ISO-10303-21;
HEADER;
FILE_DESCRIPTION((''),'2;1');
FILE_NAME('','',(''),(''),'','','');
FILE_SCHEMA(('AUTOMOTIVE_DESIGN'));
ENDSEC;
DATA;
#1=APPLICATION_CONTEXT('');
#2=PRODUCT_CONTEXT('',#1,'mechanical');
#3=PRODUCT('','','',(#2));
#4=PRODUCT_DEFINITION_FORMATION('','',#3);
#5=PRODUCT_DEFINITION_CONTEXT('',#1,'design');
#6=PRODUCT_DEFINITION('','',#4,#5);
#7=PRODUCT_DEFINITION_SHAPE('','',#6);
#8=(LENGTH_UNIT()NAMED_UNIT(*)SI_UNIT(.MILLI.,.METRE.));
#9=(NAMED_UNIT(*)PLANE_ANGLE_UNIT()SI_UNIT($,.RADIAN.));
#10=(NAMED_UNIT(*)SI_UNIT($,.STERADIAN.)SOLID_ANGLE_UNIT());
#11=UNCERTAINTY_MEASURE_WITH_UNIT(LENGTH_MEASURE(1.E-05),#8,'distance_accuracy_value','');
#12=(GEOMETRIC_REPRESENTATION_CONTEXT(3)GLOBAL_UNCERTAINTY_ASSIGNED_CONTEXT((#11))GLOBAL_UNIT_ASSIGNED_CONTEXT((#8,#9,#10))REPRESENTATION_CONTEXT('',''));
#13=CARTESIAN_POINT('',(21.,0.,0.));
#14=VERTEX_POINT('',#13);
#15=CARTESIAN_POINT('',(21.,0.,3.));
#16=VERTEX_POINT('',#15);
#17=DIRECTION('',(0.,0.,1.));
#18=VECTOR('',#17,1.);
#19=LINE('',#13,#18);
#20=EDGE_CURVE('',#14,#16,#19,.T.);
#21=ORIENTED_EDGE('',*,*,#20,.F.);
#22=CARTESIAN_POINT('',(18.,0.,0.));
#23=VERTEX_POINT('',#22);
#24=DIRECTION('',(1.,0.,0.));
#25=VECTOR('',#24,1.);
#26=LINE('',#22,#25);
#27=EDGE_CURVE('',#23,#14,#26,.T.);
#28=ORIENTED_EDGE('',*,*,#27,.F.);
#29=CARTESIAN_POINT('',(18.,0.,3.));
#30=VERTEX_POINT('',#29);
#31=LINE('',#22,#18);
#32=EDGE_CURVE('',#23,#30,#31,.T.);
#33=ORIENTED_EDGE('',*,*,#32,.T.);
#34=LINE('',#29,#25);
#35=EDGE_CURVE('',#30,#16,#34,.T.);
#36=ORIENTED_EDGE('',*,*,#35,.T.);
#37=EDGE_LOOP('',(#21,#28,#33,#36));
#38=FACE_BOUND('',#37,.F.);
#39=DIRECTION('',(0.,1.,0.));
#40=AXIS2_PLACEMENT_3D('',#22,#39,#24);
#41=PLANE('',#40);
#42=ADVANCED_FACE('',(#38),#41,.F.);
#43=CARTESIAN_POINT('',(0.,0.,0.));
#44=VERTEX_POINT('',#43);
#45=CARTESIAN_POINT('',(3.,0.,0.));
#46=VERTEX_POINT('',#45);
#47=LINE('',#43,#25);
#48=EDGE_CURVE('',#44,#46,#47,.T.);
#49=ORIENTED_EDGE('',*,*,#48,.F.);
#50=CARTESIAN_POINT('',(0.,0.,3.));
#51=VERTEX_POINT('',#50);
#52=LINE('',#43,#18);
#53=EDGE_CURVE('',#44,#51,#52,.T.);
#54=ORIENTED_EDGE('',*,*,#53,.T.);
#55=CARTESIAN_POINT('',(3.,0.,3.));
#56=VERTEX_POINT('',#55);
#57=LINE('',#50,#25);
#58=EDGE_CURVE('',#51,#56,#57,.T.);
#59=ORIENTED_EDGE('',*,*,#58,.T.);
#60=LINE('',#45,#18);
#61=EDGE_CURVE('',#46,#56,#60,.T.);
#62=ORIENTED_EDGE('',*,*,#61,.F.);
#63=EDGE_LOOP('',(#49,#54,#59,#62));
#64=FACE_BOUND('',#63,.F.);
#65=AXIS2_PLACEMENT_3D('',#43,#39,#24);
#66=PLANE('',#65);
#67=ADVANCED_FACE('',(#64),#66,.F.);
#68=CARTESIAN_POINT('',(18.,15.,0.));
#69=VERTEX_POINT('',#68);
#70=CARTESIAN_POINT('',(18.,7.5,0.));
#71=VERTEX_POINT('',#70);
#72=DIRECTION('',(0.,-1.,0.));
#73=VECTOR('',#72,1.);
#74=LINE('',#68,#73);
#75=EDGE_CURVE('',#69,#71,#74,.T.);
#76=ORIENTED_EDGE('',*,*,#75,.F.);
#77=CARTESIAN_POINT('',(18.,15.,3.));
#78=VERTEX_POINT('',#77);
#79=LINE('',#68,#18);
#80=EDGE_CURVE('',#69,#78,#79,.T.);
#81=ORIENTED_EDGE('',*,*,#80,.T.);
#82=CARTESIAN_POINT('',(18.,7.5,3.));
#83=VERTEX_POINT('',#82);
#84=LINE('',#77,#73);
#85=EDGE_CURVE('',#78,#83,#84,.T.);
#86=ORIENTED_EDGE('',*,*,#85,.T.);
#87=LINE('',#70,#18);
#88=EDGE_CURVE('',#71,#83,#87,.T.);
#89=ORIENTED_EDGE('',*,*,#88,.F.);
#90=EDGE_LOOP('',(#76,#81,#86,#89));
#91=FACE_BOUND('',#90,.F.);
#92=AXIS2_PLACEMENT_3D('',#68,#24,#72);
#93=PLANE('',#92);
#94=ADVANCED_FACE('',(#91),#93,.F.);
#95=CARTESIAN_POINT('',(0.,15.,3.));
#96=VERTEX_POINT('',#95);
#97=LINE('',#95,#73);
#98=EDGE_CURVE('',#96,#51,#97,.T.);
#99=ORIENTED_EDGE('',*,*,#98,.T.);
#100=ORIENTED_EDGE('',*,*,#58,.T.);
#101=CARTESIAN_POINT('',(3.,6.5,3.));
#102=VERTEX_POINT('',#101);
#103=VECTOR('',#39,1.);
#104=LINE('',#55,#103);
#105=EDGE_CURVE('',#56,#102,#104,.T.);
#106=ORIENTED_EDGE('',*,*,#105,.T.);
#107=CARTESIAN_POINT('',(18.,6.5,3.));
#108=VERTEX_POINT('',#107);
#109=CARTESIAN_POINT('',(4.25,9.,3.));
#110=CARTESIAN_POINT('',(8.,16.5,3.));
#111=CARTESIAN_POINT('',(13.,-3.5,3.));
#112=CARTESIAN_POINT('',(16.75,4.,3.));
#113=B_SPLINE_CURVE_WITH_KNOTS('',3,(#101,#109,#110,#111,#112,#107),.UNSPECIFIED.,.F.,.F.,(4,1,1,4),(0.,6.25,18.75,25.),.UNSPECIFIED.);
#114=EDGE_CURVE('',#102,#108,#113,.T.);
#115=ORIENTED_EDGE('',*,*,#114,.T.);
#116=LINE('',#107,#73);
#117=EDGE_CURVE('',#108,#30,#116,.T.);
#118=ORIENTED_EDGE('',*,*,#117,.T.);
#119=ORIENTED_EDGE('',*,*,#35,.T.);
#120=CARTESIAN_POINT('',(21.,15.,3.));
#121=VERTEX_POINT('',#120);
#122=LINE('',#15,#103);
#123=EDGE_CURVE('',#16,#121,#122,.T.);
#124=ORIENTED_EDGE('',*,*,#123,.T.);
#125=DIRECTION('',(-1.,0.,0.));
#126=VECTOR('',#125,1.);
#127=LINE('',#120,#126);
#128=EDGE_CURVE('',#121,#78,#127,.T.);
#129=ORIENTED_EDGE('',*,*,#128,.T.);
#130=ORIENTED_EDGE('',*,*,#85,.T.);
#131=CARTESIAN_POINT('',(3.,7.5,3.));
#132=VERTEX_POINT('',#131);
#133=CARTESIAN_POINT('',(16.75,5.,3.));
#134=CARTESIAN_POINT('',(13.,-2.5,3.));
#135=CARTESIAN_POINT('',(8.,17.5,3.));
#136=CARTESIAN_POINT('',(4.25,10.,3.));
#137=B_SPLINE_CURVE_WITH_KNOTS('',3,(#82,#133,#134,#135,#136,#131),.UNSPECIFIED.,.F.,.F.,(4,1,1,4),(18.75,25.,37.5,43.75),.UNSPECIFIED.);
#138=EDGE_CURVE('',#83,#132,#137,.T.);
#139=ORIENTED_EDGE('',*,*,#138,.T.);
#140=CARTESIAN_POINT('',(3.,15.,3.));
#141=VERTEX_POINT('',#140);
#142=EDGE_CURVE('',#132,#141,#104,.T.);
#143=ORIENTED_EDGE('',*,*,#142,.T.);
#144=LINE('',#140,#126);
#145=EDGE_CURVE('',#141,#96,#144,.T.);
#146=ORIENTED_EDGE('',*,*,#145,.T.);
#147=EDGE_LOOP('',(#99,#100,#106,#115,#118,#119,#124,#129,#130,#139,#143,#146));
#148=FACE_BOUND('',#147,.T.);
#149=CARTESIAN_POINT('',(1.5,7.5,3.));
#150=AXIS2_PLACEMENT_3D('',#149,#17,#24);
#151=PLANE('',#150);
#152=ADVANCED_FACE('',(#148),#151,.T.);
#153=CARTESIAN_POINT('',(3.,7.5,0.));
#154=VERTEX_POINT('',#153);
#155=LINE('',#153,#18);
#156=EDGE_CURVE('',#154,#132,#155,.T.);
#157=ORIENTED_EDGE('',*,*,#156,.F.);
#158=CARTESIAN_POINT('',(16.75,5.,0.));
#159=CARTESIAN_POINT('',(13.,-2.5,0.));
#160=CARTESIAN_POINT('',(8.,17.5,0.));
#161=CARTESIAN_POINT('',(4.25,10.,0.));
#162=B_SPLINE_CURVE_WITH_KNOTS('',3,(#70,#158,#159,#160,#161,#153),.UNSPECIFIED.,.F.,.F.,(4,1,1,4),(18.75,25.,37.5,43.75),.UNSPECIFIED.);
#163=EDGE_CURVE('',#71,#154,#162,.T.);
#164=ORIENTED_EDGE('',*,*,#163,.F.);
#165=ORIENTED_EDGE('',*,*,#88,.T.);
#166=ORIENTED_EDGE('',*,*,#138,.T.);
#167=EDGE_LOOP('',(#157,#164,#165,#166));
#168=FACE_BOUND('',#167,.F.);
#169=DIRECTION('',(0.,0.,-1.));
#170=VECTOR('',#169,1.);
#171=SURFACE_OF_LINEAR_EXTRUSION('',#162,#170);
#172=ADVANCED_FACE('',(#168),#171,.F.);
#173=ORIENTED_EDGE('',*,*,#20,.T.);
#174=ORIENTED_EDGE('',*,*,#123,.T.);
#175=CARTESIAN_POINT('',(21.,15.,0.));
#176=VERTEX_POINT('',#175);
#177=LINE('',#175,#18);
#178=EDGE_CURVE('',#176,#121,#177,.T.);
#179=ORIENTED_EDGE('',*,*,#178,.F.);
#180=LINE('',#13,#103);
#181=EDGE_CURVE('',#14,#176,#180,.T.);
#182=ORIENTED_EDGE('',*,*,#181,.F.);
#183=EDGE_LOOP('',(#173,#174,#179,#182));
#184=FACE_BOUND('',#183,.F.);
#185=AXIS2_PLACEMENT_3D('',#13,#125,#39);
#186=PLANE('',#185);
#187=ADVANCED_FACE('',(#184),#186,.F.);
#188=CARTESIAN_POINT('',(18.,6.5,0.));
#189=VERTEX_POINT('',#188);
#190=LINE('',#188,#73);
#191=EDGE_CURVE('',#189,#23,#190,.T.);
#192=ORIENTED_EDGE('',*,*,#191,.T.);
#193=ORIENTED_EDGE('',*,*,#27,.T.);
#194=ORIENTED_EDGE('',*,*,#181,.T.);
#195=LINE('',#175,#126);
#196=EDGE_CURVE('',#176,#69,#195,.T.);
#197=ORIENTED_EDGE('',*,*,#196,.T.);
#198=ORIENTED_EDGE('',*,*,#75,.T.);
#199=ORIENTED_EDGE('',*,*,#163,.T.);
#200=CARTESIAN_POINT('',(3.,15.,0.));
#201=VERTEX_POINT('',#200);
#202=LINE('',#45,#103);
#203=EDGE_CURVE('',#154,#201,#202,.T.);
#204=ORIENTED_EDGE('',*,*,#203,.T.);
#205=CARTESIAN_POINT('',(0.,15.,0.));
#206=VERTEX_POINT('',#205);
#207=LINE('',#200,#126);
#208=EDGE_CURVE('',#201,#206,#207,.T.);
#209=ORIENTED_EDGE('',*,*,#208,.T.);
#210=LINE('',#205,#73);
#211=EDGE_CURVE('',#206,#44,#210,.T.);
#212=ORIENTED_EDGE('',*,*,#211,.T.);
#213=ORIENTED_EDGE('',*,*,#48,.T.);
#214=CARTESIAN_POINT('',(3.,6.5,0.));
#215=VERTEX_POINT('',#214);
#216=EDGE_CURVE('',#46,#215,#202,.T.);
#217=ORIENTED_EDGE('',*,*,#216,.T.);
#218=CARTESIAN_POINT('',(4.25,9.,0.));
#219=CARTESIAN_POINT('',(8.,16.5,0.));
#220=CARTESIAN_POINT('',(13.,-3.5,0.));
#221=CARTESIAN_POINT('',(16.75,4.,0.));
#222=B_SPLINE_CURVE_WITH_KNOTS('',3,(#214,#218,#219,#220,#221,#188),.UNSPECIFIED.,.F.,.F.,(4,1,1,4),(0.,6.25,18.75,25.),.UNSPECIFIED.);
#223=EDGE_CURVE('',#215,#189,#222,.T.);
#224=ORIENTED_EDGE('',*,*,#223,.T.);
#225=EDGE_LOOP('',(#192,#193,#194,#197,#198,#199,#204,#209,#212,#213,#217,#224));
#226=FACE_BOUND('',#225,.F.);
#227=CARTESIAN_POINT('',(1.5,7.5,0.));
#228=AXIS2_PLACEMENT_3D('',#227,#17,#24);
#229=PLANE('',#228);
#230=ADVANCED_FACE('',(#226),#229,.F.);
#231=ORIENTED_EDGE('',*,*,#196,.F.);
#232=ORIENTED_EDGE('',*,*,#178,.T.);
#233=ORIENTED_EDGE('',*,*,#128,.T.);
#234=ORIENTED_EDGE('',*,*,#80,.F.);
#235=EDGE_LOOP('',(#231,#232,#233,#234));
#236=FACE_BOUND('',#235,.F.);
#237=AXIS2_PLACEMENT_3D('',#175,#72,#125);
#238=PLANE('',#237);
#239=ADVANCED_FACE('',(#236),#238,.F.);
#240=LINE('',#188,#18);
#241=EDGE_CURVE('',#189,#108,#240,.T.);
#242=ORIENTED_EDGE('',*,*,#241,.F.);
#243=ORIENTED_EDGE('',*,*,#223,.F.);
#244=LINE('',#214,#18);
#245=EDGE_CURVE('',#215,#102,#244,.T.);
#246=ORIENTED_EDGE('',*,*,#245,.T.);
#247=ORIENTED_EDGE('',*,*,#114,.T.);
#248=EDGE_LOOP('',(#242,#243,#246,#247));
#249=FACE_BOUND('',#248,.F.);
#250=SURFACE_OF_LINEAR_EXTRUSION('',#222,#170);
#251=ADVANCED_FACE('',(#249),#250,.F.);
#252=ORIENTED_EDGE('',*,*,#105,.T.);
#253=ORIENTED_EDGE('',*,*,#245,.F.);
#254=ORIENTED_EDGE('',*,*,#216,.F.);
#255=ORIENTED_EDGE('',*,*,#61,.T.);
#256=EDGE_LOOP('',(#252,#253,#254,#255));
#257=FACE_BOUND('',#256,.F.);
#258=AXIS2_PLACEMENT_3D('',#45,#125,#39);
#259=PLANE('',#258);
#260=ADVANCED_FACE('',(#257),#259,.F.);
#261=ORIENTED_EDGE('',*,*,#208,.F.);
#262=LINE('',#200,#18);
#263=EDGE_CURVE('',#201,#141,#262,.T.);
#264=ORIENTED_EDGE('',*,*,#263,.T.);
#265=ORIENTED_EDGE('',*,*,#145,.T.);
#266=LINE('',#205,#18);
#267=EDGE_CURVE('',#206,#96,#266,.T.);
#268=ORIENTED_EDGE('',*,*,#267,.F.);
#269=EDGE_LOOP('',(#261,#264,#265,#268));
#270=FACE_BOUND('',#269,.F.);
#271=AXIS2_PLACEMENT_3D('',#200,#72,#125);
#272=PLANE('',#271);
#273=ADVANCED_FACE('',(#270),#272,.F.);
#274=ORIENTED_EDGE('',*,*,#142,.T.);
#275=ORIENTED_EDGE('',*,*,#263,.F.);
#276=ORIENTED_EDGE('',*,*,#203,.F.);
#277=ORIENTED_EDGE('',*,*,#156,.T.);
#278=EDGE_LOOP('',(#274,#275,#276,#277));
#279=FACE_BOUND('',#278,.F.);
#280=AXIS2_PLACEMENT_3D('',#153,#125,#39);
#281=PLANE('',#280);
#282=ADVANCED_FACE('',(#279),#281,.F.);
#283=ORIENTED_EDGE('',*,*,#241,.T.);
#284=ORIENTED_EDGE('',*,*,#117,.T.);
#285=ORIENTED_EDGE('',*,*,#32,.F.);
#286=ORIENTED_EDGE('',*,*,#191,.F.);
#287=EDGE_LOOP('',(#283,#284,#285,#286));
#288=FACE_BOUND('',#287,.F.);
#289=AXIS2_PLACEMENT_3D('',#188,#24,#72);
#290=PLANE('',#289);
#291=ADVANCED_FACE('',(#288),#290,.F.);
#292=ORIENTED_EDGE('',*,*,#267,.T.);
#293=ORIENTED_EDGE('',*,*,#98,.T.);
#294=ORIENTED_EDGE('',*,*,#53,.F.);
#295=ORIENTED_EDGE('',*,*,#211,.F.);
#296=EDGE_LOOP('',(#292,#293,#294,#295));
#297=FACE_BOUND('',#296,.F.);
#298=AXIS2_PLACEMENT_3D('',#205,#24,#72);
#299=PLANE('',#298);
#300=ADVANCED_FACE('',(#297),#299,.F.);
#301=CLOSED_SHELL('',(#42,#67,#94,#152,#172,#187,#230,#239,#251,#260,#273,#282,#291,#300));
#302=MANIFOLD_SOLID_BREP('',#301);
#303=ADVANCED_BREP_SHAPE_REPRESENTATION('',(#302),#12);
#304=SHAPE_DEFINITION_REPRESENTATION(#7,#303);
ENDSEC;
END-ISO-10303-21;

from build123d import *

# Parameters (mm, degrees)
F1_DEPTH = 3


with BuildPart() as f1:
    # F0 (on Top) → F1 (new body)
    with BuildSketch(Plane.XY):
        Polygon((0, 15), (0, 0), (3, 0), (3, 6.5), (3, 7.5), (3, 15), align=None)
        with BuildLine():
            Line((3, 7.5), (3, 6.5))
            add(Edge.make_bspline(
                [(3, 6.5), (4.25, 9), (5.5, 11.5), (6.75, 11.5)],
                knots=[0, 0, 0, 0, 6.25, 6.25, 6.25, 6.25], degree=3))
            Line((6.75, 11.5), (6.75, 12.5))
            add(Edge.make_bspline(
                [(3, 7.5), (4.25, 10), (5.5, 12.5), (6.75, 12.5)],
                knots=[0, 0, 0, 0, 6.25, 6.25, 6.25, 6.25], degree=3))
        make_face()
        with BuildLine():
            Line((6.75, 12.5), (6.75, 11.5))
            add(Edge.make_bspline(
                [(6.75, 11.5), (8, 11.5), (9.25, 9), (10.5, 6.5)],
                knots=[6.25, 6.25, 6.25, 6.25, 12.5, 12.5, 12.5, 12.5], degree=3))
            Line((10.5, 6.5), (10.5, 7.5))
            add(Edge.make_bspline(
                [(6.75, 12.5), (8, 12.5), (9.25, 10), (10.5, 7.5)],
                knots=[6.25, 6.25, 6.25, 6.25, 12.5, 12.5, 12.5, 12.5], degree=3))
        make_face()
        with BuildLine():
            Line((10.5, 7.5), (10.5, 6.5))
            add(Edge.make_bspline(
                [(10.5, 6.5), (11.75, 4), (13, 1.5), (14.25, 1.5)],
                knots=[12.5, 12.5, 12.5, 12.5, 18.75, 18.75, 18.75, 18.75], degree=3))
            Line((14.25, 1.5), (14.25, 2.5))
            add(Edge.make_bspline(
                [(10.5, 7.5), (11.75, 5), (13, 2.5), (14.25, 2.5)],
                knots=[12.5, 12.5, 12.5, 12.5, 18.75, 18.75, 18.75, 18.75], degree=3))
        make_face()
        with BuildLine():
            Line((14.25, 2.5), (14.25, 1.5))
            add(Edge.make_bspline(
                [(14.25, 1.5), (15.5, 1.5), (16.75, 4), (18, 6.5)],
                knots=[18.75, 18.75, 18.75, 18.75, 25, 25, 25, 25], degree=3))
            Line((18, 6.5), (18, 7.5))
            add(Edge.make_bspline(
                [(14.25, 2.5), (15.5, 2.5), (16.75, 5), (18, 7.5)],
                knots=[18.75, 18.75, 18.75, 18.75, 25, 25, 25, 25], degree=3))
        make_face()
        Polygon((18, 7.5), (18, 6.5), (18, 0), (21, 0), (21, 15), (18, 15), align=None)
    extrude(amount=F1_DEPTH)


solid = f1.part
